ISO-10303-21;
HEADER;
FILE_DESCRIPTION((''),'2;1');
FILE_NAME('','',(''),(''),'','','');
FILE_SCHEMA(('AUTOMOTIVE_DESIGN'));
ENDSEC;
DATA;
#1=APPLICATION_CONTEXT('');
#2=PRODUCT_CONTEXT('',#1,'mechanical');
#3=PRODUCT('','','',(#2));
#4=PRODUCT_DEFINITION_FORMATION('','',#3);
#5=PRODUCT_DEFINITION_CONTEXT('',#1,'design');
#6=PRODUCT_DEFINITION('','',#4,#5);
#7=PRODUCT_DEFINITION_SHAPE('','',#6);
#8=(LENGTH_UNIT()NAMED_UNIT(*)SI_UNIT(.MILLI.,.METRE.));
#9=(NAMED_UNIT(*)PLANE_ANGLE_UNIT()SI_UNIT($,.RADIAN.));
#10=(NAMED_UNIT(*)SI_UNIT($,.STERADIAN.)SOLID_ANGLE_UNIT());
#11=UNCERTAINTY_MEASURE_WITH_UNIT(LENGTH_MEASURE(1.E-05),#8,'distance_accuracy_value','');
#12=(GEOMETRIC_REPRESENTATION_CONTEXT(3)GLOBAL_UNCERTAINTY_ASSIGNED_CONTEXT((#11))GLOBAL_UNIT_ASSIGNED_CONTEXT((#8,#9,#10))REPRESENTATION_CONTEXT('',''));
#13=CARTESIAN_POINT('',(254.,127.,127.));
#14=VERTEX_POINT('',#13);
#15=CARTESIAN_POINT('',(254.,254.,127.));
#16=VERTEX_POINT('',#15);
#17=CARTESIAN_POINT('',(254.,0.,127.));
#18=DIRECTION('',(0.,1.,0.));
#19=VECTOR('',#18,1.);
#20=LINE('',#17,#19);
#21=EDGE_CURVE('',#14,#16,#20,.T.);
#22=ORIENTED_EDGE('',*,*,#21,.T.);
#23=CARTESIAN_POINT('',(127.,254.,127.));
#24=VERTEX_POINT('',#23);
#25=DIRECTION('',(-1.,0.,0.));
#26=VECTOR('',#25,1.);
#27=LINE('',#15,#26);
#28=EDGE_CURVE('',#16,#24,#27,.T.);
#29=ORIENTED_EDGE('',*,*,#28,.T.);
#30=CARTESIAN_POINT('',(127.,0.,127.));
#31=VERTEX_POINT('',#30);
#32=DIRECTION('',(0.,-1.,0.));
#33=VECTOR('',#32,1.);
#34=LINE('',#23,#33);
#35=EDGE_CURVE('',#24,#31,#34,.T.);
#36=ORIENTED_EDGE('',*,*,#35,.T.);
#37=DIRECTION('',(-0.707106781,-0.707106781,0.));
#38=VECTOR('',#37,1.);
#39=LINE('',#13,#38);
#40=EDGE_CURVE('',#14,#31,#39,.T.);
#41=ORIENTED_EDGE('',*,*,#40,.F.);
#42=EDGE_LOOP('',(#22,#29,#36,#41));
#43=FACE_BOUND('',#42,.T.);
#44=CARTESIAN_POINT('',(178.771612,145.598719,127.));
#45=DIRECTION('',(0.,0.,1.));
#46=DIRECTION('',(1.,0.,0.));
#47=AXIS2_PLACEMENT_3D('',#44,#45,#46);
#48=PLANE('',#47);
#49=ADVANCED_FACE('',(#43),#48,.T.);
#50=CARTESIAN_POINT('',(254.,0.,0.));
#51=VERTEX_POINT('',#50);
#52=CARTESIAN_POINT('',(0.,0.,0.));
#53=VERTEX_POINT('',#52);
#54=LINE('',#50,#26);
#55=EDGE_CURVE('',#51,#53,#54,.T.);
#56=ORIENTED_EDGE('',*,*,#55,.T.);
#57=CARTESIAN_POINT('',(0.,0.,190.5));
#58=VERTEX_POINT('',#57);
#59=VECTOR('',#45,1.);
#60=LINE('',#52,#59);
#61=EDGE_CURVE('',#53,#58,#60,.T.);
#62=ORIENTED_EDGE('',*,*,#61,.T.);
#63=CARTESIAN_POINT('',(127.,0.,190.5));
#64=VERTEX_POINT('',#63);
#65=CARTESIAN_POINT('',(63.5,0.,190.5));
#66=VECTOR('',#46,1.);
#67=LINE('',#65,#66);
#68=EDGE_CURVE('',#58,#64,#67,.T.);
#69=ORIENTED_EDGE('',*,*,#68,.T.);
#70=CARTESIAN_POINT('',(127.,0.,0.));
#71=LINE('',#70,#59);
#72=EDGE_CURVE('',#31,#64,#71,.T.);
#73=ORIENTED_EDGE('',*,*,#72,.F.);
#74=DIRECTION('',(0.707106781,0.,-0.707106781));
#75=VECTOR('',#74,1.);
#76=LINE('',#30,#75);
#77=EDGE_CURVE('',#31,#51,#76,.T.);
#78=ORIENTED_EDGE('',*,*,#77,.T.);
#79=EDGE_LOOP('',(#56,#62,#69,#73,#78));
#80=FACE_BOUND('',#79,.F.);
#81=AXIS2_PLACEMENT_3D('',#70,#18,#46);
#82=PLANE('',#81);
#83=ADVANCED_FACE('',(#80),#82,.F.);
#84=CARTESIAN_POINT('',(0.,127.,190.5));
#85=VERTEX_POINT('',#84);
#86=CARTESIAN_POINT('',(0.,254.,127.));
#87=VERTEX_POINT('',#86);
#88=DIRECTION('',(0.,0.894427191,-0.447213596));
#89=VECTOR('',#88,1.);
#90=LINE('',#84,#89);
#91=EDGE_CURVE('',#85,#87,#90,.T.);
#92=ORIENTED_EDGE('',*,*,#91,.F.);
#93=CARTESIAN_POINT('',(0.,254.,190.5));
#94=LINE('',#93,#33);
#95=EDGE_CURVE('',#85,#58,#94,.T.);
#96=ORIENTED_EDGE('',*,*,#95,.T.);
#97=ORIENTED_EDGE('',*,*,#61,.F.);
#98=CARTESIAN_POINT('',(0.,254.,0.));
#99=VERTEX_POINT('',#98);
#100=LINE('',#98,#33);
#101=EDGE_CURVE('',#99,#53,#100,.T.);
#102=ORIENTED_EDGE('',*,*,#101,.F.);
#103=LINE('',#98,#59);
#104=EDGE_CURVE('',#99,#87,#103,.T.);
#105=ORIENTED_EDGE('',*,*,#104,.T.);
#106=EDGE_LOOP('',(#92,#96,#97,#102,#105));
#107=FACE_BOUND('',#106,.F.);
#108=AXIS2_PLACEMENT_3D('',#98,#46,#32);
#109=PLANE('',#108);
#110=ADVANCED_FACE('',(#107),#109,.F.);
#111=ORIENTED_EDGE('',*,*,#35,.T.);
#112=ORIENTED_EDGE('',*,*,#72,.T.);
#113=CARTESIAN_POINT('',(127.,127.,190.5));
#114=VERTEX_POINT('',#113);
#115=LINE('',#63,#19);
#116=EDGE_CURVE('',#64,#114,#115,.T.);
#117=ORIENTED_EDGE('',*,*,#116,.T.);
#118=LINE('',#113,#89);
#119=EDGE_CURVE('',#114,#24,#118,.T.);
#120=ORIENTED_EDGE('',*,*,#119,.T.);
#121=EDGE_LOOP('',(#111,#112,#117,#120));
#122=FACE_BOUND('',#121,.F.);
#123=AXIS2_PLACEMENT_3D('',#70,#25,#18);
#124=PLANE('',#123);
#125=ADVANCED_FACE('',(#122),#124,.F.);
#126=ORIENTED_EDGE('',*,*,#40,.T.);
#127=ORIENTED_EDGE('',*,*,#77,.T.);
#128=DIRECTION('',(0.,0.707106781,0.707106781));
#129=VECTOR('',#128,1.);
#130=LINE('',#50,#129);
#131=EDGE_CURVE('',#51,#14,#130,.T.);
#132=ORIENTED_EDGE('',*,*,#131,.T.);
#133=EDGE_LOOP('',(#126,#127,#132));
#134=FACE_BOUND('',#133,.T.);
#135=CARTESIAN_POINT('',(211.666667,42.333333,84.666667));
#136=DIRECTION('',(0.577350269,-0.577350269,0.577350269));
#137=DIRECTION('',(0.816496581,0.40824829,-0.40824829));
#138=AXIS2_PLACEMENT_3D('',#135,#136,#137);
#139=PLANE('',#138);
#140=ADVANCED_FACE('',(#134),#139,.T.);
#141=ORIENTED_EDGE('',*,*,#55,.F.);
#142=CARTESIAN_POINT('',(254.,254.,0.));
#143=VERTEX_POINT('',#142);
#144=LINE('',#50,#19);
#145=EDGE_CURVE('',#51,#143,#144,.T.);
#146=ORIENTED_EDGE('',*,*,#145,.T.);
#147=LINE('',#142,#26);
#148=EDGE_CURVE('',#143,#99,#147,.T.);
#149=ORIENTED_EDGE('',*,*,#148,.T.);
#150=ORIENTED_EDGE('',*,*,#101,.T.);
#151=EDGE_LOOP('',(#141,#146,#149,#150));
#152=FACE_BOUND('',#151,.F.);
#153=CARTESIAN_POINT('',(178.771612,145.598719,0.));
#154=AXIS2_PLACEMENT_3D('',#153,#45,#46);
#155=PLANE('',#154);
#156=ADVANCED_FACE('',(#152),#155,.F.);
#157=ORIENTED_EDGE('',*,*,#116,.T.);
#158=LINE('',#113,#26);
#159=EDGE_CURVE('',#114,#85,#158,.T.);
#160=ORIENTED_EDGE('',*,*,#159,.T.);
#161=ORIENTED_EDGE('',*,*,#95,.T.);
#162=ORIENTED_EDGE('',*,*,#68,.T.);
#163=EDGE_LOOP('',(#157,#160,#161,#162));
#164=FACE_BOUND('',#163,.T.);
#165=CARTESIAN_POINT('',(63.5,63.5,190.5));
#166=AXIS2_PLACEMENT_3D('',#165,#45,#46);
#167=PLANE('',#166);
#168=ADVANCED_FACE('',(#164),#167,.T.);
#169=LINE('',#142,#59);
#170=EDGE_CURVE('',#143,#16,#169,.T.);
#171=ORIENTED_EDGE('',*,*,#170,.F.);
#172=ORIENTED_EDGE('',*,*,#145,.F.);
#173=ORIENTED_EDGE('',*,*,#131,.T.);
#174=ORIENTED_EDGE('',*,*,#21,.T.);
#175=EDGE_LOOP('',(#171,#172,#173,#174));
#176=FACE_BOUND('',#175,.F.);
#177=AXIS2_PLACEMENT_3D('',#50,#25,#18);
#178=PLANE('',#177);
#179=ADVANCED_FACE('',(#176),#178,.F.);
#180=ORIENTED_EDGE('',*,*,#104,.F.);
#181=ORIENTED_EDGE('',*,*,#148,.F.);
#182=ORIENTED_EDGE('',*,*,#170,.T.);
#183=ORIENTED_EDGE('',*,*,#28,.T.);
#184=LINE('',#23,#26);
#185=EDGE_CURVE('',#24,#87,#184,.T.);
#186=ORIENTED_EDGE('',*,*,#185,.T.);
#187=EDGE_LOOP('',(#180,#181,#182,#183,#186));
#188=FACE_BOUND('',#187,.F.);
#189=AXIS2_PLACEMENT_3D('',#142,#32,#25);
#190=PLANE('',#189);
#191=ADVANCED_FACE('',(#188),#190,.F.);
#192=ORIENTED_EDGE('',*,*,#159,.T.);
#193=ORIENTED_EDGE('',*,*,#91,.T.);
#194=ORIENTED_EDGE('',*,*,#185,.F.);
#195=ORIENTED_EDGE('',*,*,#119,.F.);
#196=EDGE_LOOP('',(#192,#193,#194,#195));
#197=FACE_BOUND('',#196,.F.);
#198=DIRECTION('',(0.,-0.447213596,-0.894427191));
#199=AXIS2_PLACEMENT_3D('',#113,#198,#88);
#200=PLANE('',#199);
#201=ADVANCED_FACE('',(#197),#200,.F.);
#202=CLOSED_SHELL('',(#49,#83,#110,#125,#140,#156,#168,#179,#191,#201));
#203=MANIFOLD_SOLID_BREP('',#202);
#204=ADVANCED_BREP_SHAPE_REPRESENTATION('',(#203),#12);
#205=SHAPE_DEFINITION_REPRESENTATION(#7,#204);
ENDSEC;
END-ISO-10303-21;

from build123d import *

# Parameters (mm, degrees)
F0_W     = 127
F0_H     = 127
F1_DEPTH = 190.5
F2_DEPTH = 127
F4_DEPTH = 127
F8_DEPTH = 76.2


with BuildPart() as f1:
    # F0 (on Top) → F1 (new body)
    with BuildSketch(Plane.XY):
        with Locations((63.5, 63.5)):
            Rectangle(F0_W, F0_H)
        with Locations((63.5, 190.5)):
            Rectangle(F0_W, F0_H)
    extrude(amount=F1_DEPTH)

    # F0 (on Top) → F2 (join)
    with BuildSketch(Plane.XY):
        Polygon((127, 127), (127, 0), (254, 127), (254, 254), (127, 254), align=None)
        Polygon((254, 127), (127, 0), (254, 0), align=None)
    extrude(amount=F2_DEPTH)

    # F3 (on face) → F4 (cut)
    with BuildSketch(Plane.YZ.offset(127)):
        Polygon((254, 190.5), (127, 190.5), (254, 127), align=None)
    extrude(amount=-F4_DEPTH, mode=Mode.SUBTRACT)

    # F7 (on 3pt) → F8 (cut)
    with BuildSketch(Plane(origin=(84.6666666667, -84.6666666667, 84.6666666667), x_dir=(0.8164965809, 0.4082482905, -0.4082482905), z_dir=(0.5773502692, -0.5773502692, 0.5773502692))):
        Polygon((207.3901315556, 0), (207.3901315556, 179.6051224214), (51.8475328889, 89.8025612107), align=None)
    extrude(amount=F8_DEPTH, mode=Mode.SUBTRACT)


solid = f1.part
